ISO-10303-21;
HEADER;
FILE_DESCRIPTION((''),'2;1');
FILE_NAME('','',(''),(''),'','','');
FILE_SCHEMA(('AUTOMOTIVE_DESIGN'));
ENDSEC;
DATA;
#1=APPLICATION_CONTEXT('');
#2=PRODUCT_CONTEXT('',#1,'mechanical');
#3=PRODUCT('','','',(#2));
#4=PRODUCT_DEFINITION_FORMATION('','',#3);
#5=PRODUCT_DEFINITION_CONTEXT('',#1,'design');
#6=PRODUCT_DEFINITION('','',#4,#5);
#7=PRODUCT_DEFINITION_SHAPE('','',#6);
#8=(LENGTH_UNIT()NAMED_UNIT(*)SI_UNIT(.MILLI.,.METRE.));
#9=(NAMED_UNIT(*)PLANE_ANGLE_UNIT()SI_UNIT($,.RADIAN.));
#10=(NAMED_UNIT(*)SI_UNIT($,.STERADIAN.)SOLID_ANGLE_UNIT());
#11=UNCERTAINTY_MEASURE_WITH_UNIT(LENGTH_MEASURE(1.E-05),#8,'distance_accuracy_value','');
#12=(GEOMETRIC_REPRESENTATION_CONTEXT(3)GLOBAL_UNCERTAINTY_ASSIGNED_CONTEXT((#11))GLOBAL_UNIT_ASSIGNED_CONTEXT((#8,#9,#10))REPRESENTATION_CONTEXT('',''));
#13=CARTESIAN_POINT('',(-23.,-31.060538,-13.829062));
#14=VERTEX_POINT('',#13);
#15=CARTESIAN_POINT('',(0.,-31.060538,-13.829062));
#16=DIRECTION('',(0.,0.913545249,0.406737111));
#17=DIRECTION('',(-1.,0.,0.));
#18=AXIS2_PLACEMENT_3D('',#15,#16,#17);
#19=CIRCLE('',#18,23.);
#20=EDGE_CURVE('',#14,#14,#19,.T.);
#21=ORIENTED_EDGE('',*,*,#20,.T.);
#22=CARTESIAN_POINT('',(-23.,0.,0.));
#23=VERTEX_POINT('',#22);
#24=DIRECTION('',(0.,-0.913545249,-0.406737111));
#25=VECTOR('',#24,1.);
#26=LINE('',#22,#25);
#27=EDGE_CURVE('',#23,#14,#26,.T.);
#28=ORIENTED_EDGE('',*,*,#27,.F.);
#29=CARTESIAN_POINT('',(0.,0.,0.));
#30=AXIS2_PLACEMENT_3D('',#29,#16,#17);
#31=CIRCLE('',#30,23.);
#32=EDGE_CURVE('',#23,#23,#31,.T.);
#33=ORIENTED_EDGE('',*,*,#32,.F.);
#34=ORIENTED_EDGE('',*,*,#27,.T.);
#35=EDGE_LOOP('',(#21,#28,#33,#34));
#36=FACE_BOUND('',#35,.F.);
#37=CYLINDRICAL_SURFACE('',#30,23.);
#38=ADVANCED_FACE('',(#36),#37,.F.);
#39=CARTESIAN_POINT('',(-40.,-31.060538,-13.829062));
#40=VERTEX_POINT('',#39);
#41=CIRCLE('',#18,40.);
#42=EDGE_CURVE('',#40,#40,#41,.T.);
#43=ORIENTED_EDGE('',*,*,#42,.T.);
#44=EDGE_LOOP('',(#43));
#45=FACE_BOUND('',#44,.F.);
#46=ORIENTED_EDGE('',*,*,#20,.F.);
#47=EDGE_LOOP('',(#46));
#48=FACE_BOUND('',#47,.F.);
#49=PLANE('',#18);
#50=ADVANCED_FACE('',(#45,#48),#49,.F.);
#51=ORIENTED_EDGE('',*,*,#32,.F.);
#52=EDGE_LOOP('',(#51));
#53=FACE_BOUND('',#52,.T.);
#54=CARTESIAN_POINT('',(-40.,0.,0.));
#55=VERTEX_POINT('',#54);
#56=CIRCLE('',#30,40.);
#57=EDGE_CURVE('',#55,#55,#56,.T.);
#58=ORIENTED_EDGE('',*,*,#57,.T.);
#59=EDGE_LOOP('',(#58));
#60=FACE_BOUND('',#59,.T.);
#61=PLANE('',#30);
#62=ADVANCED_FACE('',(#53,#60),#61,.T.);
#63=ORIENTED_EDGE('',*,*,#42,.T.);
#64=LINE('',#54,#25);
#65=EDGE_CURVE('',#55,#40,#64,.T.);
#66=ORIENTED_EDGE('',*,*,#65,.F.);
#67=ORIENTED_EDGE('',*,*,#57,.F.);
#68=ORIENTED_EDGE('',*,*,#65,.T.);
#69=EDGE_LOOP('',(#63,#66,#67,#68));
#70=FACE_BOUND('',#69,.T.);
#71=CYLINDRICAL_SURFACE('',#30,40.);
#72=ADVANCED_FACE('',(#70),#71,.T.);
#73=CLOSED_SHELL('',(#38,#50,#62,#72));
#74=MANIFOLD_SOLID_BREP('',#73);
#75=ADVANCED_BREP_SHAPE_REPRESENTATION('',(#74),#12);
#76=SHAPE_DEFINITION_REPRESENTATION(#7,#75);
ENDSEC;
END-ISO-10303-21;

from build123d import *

# Parameters (mm, degrees)
F2_R     = 40
F2_R_2   = 23
F4_DEPTH = 34


with BuildPart() as f4:
    # F2 (on face) → F4 (new body)
    with BuildSketch(Plane(origin=(0, 0, 0), x_dir=(-1, 0, 0), z_dir=(0, 0.913545, 0.406737))):
        Circle(F2_R)
        Circle(F2_R_2, mode=Mode.SUBTRACT)
    extrude(amount=-F4_DEPTH)


solid = f4.part
